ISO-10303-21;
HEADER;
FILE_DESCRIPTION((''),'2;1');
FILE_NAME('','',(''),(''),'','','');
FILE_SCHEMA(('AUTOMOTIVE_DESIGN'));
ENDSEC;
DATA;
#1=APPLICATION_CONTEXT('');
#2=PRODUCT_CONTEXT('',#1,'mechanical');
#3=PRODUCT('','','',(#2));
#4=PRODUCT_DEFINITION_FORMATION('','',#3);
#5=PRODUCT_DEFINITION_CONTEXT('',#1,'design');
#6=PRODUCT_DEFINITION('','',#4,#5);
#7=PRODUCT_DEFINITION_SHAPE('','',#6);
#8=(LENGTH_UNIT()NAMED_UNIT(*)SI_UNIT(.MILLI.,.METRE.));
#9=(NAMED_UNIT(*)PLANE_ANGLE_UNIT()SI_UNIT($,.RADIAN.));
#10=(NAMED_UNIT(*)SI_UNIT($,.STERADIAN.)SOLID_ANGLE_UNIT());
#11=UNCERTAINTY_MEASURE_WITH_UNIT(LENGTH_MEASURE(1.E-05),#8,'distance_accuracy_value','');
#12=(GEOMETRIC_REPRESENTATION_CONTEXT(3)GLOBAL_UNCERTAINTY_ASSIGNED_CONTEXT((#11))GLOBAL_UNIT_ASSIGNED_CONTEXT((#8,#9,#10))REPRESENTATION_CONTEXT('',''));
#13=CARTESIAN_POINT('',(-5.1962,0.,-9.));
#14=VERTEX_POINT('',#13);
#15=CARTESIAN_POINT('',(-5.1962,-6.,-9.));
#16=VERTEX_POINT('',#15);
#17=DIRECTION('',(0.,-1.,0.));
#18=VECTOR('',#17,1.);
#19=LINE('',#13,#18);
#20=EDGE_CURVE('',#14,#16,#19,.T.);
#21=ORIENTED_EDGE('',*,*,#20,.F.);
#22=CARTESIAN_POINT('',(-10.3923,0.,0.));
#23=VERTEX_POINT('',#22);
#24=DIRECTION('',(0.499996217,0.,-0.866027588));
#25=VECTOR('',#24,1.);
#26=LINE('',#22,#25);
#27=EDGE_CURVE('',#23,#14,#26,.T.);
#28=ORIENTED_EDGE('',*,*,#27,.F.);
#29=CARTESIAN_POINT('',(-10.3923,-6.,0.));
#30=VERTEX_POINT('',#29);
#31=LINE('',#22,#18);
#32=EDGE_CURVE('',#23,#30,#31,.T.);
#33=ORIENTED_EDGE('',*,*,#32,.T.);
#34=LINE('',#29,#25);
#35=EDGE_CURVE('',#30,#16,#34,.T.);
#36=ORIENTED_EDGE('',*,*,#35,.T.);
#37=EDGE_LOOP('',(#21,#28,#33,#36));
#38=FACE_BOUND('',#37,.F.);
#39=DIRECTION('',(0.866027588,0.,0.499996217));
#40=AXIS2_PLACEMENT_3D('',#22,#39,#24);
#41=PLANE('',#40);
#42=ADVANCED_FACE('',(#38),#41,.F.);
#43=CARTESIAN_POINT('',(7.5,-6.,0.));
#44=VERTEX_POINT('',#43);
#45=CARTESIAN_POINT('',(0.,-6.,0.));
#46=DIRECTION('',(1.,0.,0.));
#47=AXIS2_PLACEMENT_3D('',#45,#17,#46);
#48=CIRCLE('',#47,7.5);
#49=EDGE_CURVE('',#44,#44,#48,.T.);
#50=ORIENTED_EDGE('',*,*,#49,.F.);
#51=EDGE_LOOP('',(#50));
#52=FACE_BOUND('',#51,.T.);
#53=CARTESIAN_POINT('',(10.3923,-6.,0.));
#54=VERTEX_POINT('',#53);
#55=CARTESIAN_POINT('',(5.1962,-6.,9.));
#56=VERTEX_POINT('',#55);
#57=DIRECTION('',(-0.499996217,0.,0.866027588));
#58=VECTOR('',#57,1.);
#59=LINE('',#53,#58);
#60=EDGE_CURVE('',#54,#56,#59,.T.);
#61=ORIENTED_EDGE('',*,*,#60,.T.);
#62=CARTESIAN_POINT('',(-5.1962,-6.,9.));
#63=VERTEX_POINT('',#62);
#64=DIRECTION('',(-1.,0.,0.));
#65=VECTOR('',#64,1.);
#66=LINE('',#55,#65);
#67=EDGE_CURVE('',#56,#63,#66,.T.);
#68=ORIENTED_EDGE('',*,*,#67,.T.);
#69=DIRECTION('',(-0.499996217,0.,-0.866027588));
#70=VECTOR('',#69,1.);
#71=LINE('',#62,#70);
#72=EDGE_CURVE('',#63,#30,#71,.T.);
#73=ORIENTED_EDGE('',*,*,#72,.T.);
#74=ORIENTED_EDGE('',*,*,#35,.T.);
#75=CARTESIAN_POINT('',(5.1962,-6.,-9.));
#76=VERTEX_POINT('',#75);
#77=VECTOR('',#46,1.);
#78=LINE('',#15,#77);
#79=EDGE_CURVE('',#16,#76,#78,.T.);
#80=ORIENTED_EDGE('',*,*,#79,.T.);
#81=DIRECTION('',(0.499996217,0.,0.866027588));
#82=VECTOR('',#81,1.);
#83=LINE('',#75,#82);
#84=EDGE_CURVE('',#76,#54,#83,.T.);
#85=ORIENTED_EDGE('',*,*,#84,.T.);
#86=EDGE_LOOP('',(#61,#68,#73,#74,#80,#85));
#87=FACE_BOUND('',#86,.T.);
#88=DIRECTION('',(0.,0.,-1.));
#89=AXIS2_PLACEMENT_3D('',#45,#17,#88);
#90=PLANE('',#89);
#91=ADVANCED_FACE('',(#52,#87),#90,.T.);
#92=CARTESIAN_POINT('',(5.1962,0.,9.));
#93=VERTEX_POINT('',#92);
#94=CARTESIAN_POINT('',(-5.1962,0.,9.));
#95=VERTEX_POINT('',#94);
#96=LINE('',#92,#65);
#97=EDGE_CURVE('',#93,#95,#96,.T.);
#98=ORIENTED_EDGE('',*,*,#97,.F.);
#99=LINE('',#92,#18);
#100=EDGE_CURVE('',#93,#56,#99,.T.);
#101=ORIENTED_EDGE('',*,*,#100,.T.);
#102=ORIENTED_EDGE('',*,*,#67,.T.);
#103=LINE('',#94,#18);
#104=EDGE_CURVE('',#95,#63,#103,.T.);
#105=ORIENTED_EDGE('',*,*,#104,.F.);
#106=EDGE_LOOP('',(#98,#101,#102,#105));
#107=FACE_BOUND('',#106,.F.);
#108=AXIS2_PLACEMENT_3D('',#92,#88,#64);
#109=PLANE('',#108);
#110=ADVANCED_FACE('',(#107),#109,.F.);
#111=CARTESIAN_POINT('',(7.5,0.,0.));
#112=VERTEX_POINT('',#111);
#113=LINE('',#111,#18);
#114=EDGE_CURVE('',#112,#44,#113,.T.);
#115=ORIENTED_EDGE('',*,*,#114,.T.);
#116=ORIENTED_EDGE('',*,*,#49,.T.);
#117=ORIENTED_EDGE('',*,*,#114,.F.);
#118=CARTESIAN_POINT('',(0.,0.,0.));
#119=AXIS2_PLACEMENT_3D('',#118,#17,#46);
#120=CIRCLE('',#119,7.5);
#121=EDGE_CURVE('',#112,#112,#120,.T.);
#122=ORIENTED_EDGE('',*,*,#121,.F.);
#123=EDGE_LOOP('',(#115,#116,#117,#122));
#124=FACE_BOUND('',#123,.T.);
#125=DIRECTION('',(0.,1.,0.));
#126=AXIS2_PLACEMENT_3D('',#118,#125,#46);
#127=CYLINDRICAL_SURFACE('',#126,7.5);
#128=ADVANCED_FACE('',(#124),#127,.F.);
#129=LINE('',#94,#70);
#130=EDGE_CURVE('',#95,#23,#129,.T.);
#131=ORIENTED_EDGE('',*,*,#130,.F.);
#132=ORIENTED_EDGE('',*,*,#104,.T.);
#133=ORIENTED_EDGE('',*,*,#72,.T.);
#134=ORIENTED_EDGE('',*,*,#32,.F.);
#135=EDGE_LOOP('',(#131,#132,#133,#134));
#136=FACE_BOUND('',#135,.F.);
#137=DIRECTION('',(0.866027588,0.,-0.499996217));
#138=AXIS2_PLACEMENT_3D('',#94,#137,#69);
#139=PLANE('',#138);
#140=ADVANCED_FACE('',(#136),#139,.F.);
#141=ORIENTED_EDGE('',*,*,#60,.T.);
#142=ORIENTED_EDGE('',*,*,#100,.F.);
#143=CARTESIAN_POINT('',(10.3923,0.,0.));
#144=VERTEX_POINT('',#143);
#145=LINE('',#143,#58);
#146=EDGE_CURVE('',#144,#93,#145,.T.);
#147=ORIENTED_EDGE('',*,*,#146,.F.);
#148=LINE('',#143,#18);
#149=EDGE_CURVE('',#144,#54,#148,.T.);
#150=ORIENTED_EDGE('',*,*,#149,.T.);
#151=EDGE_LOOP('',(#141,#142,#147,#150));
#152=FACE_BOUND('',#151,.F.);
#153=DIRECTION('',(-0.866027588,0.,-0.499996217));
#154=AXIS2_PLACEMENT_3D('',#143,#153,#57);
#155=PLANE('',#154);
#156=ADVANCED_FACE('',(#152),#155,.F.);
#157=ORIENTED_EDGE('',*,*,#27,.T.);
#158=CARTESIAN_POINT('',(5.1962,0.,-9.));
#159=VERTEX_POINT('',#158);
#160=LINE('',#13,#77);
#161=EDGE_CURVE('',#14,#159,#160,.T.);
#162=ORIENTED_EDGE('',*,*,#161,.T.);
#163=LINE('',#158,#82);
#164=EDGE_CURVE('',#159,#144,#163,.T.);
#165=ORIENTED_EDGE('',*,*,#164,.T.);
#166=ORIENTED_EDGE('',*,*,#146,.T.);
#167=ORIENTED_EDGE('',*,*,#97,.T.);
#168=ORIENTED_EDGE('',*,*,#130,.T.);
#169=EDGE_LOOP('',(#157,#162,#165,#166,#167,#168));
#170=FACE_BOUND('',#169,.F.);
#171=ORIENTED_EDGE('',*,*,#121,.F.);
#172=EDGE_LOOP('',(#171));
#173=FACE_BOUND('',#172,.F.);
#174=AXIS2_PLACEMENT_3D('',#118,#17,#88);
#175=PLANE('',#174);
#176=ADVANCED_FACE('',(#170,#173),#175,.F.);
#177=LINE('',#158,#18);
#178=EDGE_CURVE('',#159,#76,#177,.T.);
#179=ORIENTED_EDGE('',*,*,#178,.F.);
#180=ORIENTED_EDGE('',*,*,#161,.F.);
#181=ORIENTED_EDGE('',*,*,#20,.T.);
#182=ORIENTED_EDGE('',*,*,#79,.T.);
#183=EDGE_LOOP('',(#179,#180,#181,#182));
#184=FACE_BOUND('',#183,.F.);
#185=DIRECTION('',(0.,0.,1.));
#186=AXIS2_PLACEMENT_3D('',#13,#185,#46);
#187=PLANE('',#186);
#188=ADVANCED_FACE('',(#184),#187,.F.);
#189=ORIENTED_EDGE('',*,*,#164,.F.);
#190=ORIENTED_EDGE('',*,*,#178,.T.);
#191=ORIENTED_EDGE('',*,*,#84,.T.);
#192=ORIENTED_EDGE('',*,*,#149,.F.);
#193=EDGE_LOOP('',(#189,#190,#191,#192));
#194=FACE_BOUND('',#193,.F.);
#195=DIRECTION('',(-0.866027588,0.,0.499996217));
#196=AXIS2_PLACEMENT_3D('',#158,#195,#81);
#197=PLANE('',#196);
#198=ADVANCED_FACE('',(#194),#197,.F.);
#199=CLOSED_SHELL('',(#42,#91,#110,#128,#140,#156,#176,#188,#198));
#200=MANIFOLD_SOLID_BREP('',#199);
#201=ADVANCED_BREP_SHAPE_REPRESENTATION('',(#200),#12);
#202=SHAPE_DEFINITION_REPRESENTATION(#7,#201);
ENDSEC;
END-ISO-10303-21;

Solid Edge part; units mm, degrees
sketch "Sketch1" plane through (0, 0, 0) normal (0, -1, 0) x (1, 0, 0)
  line L0 (-5.1962, 9) -> (-10.3923, 0)
  line L1 (-10.3923, 0) -> (-5.1962, -9)
  line L2 (-5.1962, -9) -> (5.1962, -9)
  line L3 (5.1962, -9) -> (10.3923, 0)
  line L4 (10.3923, 0) -> (5.1962, 9)
  line L5 (5.1962, 9) -> (-5.1962, 9)
  circle A0 centre (0, 0) radius 7.5
extrude "Protrusion1" add sketch "Sketch1" along normal blind 6
